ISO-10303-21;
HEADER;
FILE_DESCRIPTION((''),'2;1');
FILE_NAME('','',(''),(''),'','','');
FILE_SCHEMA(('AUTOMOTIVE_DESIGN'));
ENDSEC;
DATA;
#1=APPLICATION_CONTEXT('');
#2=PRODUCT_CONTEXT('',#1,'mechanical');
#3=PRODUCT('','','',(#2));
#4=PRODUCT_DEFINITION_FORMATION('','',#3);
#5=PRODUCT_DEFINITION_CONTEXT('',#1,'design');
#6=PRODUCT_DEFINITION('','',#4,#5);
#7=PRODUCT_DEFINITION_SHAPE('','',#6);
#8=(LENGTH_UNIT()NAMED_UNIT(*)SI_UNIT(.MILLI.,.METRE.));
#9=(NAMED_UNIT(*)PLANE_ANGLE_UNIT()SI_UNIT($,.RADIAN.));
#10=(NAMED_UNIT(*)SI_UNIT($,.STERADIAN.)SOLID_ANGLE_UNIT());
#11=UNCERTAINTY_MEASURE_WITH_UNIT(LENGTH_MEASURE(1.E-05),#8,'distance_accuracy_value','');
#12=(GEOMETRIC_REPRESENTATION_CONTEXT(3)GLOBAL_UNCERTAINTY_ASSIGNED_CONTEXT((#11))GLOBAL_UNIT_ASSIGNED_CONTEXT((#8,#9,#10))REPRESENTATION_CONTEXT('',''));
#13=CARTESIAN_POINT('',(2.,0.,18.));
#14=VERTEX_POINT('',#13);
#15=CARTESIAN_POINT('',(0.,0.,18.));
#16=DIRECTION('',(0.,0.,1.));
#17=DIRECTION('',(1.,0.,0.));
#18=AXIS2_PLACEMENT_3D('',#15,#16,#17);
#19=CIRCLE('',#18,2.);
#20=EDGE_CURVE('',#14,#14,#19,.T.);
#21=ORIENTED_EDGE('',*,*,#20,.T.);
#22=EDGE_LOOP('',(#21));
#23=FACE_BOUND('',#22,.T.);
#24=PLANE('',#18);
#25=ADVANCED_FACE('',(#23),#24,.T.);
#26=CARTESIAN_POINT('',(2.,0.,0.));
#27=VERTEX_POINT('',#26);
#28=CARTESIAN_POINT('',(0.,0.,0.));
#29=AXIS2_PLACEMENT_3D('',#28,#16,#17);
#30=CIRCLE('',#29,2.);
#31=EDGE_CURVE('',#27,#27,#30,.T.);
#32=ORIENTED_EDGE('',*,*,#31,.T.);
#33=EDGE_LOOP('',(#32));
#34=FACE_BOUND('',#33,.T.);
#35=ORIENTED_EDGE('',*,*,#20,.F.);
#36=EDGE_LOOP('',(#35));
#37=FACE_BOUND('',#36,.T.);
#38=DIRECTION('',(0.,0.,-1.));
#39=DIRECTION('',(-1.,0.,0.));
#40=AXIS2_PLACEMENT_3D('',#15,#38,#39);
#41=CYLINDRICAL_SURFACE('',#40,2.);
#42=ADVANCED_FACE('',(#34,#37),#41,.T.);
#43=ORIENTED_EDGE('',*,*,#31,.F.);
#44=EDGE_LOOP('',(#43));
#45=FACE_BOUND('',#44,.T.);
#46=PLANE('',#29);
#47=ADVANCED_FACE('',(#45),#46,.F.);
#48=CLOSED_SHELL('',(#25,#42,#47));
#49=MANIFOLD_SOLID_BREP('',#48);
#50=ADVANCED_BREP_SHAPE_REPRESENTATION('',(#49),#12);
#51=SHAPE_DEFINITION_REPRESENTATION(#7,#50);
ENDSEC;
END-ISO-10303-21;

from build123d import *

# Parameters (mm, degrees)
CROQUIS1_R              = 2
SALIENTE_EXTRUIR1_DEPTH = 18


with BuildPart() as part:
    # Croquis1 → Saliente-Extruir1 (new body)
    with BuildSketch(Plane.XY):
        Circle(CROQUIS1_R)
    extrude(amount=SALIENTE_EXTRUIR1_DEPTH)


solid = part.part
